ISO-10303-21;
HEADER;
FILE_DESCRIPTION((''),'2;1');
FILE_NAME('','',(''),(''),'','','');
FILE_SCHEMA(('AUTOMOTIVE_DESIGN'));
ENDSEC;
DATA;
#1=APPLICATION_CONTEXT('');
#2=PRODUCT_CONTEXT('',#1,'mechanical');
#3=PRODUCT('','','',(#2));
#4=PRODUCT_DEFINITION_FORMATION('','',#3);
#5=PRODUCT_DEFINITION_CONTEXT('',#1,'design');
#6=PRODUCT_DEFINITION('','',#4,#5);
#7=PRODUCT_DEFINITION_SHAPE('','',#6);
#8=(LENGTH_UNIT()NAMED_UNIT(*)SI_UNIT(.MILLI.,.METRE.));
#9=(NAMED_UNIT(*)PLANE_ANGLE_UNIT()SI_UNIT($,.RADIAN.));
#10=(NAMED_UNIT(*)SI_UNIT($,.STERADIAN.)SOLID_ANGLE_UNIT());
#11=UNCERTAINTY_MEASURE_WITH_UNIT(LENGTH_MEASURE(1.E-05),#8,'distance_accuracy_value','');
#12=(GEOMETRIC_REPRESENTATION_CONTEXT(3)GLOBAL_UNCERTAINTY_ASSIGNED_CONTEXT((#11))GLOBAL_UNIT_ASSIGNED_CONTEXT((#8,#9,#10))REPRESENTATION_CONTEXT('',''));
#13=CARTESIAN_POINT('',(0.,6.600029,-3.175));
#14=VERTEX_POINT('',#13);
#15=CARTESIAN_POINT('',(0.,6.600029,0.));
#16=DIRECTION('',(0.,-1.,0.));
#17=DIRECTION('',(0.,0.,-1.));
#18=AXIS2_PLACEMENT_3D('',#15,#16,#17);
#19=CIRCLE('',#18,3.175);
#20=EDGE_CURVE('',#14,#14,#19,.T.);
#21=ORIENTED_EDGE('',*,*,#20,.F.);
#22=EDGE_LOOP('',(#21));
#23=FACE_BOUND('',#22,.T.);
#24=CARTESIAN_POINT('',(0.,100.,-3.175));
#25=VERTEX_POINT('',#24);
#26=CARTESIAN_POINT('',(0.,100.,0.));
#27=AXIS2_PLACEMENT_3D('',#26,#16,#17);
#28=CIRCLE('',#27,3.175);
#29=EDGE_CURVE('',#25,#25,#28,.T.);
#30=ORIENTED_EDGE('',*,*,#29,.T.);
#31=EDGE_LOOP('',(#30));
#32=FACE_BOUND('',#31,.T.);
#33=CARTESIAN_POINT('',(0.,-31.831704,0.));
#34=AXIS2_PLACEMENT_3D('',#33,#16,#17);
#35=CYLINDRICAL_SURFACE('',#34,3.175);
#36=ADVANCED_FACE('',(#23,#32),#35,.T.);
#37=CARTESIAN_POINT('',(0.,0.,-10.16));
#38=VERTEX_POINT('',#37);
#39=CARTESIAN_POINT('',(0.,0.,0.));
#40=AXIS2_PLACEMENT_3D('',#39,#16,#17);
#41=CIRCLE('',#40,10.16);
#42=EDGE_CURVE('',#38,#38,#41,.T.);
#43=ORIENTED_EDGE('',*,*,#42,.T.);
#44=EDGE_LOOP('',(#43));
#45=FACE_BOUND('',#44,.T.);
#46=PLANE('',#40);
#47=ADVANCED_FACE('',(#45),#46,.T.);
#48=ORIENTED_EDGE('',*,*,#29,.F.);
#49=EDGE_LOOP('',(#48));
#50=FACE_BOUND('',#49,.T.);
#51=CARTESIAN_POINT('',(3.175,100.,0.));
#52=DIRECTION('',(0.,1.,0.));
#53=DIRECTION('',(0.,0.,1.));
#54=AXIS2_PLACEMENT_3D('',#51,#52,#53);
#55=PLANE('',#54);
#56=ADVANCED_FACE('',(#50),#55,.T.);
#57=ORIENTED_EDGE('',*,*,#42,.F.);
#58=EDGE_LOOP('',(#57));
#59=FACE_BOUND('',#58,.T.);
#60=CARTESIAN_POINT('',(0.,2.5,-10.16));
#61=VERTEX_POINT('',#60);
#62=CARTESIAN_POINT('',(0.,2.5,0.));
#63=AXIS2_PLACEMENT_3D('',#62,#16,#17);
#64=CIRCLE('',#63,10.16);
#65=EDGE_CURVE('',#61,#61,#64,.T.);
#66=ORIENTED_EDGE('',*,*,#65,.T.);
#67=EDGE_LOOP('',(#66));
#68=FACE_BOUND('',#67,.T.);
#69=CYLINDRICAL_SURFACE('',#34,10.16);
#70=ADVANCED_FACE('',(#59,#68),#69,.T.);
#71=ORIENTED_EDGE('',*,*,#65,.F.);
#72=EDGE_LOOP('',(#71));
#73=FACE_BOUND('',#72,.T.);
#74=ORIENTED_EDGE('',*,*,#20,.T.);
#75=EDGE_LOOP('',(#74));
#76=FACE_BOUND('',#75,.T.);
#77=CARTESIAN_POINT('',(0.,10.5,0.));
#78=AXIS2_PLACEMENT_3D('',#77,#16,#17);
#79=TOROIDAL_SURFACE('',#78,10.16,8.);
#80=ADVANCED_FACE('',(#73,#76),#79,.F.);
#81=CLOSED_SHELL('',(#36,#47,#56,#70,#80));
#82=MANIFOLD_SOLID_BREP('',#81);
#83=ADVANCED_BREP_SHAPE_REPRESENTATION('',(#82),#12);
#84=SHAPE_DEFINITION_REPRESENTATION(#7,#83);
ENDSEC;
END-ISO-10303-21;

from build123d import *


with BuildPart() as part:
    # Sketch1 → Revolve1 (revolve)
    with BuildSketch(Plane.XY, mode=Mode.PRIVATE) as revolve1_sk:
        with BuildLine():
            Line((0, 0), (10.16, 0))
            Line((10.16, 0), (10.16, 2.5))
            ThreePointArc((10.16, 2.5), (6.110294408, 3.600733038), (3.175, 6.600028846))
            Line((3.175, 6.600028846), (3.175, 100))
            Line((3.175, 100), (0, 100))
            Line((0, 100), (0, 0))
        make_face()
    revolve(revolve1_sk.sketch.rotate(Axis((0, -31.831703756, 0), (0, 1, 0)), 90), axis=Axis((0, -31.831703756, 0), (0, 1, 0)))


solid = part.part
